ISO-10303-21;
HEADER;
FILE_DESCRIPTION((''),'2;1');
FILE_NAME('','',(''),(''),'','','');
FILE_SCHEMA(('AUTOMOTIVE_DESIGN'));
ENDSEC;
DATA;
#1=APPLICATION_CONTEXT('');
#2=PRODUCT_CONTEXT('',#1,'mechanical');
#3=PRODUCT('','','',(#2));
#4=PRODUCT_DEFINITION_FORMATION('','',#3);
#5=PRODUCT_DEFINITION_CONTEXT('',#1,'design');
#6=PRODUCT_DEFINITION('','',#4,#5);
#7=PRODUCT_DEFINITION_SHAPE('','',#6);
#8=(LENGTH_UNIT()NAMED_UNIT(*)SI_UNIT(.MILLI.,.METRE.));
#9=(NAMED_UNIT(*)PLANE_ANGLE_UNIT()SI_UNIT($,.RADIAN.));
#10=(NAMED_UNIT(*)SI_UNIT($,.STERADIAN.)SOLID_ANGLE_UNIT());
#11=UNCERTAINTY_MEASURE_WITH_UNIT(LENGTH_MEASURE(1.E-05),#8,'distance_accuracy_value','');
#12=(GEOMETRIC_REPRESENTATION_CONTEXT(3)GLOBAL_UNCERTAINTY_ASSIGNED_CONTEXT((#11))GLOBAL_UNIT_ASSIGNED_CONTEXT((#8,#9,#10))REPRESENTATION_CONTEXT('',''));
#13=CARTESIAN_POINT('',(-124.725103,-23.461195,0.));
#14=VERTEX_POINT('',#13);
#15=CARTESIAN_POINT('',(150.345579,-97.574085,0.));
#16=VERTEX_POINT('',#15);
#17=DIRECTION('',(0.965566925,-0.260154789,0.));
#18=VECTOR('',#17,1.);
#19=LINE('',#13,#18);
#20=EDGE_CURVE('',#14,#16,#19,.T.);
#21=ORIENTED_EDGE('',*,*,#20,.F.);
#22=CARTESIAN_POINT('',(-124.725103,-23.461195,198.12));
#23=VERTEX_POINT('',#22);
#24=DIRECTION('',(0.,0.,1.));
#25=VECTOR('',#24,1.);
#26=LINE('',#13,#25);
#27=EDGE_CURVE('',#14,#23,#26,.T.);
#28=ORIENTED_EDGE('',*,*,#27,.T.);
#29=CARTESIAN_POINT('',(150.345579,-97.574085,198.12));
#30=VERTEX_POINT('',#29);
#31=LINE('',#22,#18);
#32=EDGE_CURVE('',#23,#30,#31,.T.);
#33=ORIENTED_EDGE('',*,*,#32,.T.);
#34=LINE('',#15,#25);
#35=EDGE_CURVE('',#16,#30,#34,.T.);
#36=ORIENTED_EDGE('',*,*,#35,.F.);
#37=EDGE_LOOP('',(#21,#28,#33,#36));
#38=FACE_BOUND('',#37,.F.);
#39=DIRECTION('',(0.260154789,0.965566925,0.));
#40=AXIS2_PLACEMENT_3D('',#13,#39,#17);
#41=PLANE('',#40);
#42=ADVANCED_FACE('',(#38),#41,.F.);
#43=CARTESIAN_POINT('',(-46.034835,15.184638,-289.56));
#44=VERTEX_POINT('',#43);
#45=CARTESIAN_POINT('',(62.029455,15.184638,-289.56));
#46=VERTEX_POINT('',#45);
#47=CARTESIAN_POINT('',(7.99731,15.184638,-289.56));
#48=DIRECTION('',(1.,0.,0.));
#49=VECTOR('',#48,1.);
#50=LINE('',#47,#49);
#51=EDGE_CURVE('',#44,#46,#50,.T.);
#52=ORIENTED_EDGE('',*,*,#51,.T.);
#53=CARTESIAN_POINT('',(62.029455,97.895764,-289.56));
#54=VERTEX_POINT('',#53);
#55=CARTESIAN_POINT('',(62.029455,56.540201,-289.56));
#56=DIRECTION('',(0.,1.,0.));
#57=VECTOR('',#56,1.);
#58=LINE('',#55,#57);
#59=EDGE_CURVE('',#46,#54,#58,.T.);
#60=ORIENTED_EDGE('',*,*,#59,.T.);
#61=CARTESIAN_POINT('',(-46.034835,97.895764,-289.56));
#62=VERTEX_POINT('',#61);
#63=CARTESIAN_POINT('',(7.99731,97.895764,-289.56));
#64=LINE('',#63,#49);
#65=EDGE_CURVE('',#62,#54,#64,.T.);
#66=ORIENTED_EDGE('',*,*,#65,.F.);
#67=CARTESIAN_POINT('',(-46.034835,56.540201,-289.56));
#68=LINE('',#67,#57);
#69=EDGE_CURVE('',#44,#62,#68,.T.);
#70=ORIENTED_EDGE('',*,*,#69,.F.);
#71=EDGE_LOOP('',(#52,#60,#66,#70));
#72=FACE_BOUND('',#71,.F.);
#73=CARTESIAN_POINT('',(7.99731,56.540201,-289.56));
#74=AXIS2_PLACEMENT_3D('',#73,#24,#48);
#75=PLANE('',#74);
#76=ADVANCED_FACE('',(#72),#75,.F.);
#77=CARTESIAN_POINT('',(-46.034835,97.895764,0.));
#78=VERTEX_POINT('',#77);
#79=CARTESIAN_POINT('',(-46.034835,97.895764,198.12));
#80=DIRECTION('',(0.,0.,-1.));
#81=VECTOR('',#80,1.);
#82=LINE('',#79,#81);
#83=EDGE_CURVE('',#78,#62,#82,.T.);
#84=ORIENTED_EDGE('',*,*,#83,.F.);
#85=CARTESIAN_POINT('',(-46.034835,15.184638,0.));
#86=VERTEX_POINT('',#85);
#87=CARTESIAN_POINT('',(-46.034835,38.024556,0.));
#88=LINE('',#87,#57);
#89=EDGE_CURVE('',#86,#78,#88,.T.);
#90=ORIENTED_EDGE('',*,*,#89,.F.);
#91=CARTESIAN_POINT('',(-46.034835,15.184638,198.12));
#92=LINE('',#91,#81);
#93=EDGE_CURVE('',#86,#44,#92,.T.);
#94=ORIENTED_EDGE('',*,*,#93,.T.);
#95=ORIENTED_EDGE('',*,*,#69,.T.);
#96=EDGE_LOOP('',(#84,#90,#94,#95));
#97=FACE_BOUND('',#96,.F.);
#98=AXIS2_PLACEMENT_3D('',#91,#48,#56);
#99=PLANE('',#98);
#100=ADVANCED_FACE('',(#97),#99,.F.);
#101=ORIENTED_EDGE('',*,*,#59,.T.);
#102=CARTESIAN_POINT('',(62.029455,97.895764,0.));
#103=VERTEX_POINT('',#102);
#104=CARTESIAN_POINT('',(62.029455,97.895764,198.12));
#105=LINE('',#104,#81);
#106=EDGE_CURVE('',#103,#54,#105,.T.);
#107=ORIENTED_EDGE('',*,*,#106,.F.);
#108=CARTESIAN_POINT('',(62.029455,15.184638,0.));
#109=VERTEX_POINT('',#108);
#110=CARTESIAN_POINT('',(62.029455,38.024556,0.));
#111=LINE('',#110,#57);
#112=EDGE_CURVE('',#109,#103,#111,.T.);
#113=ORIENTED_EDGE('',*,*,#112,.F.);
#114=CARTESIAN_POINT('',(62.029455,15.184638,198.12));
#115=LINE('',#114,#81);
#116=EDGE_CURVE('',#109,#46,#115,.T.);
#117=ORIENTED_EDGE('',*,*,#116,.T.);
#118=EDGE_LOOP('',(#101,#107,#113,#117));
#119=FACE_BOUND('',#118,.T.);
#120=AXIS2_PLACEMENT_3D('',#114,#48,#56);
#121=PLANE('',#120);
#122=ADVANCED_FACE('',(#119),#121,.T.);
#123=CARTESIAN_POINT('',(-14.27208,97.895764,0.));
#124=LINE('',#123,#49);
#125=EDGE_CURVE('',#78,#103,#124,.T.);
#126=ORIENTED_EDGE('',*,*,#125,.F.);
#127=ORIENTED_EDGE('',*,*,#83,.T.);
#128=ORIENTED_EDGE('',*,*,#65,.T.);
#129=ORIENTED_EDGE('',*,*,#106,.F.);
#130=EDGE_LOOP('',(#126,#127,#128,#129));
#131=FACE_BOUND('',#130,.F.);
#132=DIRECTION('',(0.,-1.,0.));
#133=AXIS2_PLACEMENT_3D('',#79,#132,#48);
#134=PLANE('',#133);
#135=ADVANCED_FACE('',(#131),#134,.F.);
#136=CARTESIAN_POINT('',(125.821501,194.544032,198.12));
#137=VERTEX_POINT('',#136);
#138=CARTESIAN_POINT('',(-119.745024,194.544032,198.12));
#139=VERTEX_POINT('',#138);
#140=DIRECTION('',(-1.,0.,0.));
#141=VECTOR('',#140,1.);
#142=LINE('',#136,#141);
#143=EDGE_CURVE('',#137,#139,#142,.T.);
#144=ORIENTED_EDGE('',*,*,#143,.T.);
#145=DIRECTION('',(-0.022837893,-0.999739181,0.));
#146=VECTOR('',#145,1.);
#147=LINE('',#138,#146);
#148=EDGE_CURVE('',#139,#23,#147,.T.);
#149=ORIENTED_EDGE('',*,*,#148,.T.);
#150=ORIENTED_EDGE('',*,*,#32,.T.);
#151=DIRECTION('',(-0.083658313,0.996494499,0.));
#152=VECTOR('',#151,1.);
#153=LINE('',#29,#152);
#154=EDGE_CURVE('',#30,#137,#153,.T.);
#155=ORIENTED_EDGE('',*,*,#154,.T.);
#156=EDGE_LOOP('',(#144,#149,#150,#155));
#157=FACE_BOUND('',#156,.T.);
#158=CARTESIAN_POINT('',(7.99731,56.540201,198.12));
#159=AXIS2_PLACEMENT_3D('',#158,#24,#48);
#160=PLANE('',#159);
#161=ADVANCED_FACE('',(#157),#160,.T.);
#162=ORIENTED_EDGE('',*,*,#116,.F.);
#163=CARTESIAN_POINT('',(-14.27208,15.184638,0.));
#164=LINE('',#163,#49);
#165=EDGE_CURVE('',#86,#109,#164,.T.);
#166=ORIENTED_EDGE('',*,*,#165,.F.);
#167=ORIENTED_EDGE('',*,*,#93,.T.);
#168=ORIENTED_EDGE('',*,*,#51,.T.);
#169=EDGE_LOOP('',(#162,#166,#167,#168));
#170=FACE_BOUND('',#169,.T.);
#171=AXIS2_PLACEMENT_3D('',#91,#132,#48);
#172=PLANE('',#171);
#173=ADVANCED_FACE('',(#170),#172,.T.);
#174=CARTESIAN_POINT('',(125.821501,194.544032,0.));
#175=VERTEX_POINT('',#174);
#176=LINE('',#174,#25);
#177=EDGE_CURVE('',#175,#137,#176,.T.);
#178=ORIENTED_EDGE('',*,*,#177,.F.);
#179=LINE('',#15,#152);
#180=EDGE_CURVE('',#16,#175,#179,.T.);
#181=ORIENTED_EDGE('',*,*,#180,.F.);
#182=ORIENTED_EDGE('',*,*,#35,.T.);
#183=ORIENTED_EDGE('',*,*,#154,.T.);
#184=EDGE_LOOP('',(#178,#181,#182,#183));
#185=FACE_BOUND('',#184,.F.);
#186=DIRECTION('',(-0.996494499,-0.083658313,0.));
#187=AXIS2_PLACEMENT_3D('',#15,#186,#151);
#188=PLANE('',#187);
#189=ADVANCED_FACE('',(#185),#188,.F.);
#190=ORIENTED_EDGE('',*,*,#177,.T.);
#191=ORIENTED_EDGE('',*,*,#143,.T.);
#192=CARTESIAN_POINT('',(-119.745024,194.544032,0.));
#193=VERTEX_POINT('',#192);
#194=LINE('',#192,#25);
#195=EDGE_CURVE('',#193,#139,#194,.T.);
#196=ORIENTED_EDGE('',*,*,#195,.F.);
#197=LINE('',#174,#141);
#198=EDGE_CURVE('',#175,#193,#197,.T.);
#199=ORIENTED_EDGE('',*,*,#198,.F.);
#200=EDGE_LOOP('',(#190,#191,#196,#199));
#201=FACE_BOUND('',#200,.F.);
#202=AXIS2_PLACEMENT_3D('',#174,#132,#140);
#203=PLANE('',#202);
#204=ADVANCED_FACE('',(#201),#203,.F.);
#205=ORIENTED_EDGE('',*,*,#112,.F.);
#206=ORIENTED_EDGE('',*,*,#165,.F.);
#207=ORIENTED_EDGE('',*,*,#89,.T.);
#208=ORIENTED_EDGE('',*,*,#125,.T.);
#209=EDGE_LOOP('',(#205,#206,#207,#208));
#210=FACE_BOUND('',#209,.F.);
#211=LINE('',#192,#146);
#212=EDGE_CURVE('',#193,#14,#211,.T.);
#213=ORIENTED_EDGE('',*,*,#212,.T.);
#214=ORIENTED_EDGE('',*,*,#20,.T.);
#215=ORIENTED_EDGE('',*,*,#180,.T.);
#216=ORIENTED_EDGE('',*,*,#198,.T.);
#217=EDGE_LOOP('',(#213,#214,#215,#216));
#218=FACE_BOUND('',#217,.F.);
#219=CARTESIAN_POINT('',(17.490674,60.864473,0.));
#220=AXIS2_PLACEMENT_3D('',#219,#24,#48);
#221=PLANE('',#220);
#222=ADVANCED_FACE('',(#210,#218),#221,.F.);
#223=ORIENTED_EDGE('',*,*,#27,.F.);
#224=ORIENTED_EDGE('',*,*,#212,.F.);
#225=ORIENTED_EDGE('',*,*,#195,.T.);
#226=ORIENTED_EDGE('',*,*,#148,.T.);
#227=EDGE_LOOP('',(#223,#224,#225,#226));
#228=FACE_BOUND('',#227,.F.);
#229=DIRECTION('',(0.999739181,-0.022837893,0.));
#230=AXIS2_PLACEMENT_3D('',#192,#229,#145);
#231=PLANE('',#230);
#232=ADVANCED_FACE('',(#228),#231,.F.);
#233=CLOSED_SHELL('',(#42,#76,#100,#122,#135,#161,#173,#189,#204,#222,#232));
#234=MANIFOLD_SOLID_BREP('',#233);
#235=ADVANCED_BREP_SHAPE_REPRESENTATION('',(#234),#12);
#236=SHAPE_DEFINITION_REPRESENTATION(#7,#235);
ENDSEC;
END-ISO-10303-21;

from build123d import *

# Parameters (mm, degrees)
F1_DEPTH = 198.12
F2_W     = 108.06429
F2_H     = 82.711126
F3_DEPTH = 487.68


with BuildPart() as f1:
    # F0 (on Top) → F1 (new body)
    with BuildSketch(Plane.XY):
        Polygon((-119.745024, 194.544032), (-124.725103, -23.461195), (150.345579, -97.574085), (125.821501, 194.544032), align=None)
    extrude(amount=F1_DEPTH)

    # F2 (on face) → F3 (join)
    with BuildSketch(Plane.XY.offset(198.12)):
        with Locations((7.99731, 56.540201)):
            Rectangle(F2_W, F2_H)
    extrude(amount=-F3_DEPTH)


solid = f1.part
